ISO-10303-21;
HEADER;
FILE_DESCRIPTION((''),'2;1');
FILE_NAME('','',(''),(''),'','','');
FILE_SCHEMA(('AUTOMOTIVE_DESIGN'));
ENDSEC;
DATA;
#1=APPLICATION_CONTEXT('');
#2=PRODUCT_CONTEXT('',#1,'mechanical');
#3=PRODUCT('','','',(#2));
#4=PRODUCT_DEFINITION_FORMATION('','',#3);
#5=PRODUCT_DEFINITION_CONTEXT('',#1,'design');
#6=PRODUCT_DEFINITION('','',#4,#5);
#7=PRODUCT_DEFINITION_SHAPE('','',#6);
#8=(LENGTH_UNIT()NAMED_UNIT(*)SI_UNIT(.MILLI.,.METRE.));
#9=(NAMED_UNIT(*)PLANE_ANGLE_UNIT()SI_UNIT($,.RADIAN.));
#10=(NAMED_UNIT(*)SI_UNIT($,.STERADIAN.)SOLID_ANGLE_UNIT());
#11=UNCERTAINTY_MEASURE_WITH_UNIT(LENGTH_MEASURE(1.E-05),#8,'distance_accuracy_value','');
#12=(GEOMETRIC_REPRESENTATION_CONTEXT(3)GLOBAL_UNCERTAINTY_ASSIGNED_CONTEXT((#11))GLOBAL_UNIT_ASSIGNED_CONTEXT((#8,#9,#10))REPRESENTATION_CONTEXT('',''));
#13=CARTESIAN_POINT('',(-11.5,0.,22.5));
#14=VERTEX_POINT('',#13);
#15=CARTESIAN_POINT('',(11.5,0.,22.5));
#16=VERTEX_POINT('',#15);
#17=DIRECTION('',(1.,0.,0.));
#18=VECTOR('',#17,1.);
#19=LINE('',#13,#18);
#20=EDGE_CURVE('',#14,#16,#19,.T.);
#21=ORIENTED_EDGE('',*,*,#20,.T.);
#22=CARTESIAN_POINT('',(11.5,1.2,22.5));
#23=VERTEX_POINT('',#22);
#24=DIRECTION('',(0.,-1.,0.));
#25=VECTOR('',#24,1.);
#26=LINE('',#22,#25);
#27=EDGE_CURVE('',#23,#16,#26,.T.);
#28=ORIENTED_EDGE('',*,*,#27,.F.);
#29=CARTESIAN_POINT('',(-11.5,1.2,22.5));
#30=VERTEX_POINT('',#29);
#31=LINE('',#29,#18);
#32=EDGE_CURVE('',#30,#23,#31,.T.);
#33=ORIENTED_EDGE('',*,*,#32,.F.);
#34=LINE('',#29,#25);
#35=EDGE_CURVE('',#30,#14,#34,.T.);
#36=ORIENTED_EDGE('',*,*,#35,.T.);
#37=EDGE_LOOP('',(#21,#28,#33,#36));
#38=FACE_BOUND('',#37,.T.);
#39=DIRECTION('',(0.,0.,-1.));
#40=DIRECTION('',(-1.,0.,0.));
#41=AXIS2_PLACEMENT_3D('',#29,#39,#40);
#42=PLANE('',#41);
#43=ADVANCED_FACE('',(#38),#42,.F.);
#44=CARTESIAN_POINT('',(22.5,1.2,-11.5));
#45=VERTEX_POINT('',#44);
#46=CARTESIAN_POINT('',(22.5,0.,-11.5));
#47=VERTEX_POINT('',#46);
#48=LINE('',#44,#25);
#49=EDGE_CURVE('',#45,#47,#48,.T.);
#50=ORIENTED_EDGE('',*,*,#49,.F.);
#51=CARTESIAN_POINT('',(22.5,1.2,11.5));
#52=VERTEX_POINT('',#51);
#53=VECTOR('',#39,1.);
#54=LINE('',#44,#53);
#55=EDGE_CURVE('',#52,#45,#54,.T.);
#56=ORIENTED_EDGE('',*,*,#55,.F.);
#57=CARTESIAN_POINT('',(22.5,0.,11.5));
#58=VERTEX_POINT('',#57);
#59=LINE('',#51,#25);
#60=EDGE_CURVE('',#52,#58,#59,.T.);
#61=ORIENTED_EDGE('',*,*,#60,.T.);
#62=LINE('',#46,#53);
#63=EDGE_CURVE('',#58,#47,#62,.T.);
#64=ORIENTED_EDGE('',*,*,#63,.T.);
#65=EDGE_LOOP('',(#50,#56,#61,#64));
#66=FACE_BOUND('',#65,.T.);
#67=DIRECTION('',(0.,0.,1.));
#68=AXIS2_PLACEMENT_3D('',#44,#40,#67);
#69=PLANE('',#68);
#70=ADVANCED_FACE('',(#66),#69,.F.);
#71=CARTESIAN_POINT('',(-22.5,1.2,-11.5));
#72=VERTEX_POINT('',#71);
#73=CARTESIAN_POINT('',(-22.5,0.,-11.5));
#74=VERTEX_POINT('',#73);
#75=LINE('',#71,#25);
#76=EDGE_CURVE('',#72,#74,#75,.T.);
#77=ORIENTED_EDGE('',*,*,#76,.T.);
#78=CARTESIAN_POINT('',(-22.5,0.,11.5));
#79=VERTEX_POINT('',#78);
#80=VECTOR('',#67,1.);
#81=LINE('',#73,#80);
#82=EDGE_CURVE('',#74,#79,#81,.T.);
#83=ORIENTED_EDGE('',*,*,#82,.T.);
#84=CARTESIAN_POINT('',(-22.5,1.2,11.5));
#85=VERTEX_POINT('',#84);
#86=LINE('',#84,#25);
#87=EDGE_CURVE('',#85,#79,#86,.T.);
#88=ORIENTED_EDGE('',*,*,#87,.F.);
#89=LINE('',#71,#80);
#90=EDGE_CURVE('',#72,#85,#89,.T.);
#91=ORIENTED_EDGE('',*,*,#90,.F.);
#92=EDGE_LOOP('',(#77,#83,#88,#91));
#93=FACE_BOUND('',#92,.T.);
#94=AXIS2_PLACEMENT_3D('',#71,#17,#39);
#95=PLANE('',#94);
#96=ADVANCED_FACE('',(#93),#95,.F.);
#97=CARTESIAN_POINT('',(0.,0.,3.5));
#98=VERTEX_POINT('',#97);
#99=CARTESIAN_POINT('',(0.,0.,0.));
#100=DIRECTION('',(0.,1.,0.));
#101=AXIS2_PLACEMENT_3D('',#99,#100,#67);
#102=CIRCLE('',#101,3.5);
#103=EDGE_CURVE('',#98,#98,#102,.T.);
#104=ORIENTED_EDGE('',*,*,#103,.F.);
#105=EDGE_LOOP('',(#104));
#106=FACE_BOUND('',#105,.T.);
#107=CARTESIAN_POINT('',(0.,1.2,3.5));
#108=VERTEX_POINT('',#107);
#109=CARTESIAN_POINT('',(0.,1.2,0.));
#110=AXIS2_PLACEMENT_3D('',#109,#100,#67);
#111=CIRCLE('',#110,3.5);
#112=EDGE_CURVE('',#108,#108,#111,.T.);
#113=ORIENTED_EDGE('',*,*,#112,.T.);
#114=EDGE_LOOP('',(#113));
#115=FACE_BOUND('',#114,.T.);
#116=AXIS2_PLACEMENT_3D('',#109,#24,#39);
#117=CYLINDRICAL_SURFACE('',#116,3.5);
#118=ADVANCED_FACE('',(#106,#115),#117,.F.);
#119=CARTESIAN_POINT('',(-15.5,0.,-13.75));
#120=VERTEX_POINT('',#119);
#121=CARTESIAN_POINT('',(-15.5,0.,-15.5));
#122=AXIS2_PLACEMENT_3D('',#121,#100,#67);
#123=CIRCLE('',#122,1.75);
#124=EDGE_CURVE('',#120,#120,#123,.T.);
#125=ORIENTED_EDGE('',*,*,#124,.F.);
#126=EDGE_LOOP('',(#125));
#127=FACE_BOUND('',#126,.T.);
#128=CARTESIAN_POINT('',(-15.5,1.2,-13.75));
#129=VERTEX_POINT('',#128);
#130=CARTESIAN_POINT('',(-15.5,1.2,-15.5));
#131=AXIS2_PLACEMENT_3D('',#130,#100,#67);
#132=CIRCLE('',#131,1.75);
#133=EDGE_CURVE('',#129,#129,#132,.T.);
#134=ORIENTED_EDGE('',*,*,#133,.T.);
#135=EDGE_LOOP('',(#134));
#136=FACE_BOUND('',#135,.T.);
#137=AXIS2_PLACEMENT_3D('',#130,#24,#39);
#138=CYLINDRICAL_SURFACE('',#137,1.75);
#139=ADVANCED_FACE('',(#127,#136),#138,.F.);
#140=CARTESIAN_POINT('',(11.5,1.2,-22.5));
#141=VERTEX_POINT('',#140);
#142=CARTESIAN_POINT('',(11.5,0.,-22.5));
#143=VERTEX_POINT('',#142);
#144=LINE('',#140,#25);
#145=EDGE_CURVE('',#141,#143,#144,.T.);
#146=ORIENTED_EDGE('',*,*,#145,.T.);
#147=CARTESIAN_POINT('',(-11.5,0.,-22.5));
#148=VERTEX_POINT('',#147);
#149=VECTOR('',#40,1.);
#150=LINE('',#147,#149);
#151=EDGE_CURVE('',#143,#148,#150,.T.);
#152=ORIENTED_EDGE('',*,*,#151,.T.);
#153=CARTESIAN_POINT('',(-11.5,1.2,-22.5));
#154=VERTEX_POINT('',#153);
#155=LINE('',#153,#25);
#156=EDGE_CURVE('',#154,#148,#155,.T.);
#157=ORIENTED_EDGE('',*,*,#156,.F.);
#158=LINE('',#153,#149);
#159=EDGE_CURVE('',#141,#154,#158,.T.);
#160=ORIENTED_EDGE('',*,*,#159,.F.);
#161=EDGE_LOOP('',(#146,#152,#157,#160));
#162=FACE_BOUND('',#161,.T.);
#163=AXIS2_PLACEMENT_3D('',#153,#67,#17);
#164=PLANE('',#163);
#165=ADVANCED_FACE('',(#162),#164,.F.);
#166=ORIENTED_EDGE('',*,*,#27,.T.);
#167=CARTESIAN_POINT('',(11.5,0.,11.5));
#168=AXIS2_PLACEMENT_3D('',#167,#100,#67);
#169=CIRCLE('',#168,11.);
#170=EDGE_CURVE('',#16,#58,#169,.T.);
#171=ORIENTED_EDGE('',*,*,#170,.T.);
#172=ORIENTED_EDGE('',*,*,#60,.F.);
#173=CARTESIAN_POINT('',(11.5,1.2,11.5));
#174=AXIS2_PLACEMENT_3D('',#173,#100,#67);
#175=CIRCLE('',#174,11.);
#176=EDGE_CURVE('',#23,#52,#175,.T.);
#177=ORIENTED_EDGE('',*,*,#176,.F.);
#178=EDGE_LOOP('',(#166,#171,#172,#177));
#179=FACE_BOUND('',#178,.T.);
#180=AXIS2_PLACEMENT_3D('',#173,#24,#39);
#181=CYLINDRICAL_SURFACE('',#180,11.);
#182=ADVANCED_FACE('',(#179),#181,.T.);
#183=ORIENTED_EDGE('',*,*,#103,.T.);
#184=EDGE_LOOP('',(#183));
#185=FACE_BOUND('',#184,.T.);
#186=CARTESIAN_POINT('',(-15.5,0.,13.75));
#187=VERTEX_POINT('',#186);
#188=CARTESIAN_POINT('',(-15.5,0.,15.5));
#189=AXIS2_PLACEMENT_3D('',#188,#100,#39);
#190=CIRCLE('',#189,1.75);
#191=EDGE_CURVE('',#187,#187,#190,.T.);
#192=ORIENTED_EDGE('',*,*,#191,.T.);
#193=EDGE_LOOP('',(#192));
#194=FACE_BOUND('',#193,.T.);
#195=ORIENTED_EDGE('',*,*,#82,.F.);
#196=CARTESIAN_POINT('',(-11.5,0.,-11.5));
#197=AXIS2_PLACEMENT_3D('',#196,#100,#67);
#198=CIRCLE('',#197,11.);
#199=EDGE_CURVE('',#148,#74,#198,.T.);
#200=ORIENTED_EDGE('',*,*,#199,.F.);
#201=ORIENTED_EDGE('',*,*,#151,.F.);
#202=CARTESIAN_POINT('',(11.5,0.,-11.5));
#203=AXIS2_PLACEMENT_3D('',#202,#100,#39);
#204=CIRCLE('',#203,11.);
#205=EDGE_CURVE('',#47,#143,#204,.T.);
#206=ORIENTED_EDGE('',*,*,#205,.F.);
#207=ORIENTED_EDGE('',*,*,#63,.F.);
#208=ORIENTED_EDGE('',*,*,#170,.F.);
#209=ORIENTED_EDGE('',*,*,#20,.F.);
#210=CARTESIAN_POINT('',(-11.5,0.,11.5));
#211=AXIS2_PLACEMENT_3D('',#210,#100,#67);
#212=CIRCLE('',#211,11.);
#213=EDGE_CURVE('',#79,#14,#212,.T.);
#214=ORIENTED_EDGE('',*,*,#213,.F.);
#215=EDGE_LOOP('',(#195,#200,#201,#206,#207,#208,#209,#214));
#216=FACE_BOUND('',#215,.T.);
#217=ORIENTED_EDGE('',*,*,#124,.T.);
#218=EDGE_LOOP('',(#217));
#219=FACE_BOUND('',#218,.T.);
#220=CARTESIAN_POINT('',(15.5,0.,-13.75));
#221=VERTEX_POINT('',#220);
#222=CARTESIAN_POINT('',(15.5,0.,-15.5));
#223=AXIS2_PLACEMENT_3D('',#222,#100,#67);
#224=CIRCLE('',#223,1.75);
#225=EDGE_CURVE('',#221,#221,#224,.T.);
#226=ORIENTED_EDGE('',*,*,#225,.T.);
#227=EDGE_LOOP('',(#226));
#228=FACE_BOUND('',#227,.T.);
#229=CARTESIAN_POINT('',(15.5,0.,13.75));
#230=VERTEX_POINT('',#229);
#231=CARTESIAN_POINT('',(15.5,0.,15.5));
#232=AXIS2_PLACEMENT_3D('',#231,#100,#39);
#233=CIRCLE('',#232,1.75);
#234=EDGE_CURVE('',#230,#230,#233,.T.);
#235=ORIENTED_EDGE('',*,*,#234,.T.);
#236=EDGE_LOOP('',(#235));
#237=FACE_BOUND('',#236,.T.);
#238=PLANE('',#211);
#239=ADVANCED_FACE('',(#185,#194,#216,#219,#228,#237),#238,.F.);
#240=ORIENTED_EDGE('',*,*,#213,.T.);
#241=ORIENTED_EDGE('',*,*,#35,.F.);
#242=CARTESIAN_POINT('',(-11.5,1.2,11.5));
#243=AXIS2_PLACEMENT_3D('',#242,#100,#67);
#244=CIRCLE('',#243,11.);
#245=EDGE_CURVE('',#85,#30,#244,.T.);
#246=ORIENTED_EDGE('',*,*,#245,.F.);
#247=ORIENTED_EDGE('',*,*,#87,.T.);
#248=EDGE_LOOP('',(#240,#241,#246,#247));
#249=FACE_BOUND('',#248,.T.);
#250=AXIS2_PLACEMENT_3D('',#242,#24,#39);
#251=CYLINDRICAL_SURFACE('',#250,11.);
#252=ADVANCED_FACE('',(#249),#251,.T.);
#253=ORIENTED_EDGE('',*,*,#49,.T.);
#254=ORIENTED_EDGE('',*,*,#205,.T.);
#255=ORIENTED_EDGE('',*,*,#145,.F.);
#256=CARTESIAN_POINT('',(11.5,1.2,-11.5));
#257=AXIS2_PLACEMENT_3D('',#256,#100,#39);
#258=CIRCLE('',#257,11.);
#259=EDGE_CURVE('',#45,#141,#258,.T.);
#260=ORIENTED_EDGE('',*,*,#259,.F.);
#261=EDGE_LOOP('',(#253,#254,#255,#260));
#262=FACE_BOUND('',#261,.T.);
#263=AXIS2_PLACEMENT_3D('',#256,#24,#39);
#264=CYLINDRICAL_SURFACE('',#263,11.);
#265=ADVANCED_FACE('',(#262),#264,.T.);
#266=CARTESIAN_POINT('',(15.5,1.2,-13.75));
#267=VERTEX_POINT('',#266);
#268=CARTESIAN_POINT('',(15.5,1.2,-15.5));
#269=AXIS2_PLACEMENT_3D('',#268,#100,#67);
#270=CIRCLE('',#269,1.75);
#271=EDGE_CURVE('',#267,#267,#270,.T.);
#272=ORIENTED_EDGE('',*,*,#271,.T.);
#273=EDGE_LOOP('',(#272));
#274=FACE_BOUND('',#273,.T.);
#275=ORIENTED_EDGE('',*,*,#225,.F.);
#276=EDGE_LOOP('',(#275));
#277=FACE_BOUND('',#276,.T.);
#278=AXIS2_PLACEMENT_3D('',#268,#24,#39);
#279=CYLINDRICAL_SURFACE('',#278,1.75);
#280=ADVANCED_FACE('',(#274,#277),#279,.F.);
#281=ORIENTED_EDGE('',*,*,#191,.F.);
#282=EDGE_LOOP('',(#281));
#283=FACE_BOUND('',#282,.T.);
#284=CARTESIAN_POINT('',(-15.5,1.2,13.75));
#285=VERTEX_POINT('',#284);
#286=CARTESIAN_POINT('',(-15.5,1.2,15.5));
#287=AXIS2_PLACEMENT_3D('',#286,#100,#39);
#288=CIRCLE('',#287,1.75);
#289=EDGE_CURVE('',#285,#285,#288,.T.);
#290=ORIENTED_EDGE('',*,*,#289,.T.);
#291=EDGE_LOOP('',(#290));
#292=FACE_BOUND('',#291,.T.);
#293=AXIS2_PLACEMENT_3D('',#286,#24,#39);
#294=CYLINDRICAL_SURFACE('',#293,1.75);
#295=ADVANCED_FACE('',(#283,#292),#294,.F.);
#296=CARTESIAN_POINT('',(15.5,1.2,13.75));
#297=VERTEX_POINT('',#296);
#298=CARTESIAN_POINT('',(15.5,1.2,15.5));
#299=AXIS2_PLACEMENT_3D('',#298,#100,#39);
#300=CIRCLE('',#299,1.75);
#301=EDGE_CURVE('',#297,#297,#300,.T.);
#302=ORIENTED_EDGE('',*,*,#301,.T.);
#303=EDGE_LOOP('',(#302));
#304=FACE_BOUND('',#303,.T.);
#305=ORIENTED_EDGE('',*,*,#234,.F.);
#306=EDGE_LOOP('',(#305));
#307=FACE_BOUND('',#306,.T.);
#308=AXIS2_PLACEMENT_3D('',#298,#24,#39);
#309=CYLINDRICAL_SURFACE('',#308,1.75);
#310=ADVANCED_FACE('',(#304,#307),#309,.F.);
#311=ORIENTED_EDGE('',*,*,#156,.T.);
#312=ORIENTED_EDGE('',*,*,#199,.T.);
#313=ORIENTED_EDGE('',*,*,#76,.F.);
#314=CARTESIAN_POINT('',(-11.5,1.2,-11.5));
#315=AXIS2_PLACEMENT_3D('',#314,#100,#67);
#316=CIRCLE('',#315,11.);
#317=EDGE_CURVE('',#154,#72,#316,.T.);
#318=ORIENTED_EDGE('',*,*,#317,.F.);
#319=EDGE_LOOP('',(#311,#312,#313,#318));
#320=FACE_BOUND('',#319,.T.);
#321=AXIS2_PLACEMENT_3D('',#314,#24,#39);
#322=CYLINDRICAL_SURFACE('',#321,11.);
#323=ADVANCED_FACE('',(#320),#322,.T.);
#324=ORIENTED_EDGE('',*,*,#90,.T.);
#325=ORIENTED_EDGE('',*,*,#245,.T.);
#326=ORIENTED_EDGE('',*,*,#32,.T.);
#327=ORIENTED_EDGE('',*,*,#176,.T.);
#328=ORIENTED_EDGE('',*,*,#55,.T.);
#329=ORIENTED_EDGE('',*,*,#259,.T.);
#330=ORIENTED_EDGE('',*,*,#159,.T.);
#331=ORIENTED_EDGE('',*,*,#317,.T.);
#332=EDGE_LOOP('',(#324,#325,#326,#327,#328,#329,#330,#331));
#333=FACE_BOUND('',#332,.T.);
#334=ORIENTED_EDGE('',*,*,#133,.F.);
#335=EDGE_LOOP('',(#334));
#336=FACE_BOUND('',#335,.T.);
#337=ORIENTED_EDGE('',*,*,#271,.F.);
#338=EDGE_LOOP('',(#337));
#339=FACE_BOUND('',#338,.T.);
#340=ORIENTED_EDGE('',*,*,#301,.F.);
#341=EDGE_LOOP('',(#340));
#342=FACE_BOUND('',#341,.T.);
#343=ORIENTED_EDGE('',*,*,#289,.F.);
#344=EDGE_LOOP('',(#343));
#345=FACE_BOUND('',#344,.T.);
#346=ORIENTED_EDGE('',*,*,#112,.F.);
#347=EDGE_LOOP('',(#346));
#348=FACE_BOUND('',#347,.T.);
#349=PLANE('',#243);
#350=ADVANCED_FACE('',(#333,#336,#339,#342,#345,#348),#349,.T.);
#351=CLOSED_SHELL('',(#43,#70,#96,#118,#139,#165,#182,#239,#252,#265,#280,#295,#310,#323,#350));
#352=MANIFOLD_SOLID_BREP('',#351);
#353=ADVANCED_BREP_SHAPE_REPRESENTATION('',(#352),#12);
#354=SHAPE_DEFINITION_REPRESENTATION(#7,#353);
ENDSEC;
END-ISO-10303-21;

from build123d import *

# Parameters (mm, degrees)
SKETCH1_R           = 3.5
SKETCH1_R_2         = 1.75
BOSS_EXTRUDE1_DEPTH = 1.2


with BuildPart() as part:
    # Sketch1 → Boss-Extrude1 (new body)
    with BuildSketch(Plane(origin=(0, 0, 0), x_dir=(1, 0, 0), z_dir=(0, 1, 0))):
        with BuildLine():
            Line((-11.5, 22.5), (11.5, 22.5))
            ThreePointArc((11.5, 22.5), (19.278174593, 19.278174593), (22.5, 11.5))
            Line((22.5, 11.5), (22.5, -11.5))
            ThreePointArc((22.5, -11.5), (19.278174593, -19.278174593), (11.5, -22.5))
            Line((11.5, -22.5), (-11.5, -22.5))
            ThreePointArc((-11.5, -22.5), (-19.278174593, -19.278174593), (-22.5, -11.5))
            Line((-22.5, -11.5), (-22.5, 11.5))
            ThreePointArc((-22.5, 11.5), (-19.278174593, 19.278174593), (-11.5, 22.5))
        make_face()
        with Locations(Location((0, 0, 0), (0, 0, 270))):
            Circle(SKETCH1_R, mode=Mode.SUBTRACT)
        with Locations(Location((-15.5, 15.5, 0), (0, 0, 270))):
            Circle(SKETCH1_R_2, mode=Mode.SUBTRACT)
        with Locations(Location((15.5, 15.5, 0), (0, 0, 270))):
            Circle(SKETCH1_R_2, mode=Mode.SUBTRACT)
        with Locations(Location((15.5, -15.5, 0), (0, 0, 90))):
            Circle(SKETCH1_R_2, mode=Mode.SUBTRACT)
        with Locations(Location((-15.5, -15.5, 0), (0, 0, 90))):
            Circle(SKETCH1_R_2, mode=Mode.SUBTRACT)
    extrude(amount=BOSS_EXTRUDE1_DEPTH)


solid = part.part
